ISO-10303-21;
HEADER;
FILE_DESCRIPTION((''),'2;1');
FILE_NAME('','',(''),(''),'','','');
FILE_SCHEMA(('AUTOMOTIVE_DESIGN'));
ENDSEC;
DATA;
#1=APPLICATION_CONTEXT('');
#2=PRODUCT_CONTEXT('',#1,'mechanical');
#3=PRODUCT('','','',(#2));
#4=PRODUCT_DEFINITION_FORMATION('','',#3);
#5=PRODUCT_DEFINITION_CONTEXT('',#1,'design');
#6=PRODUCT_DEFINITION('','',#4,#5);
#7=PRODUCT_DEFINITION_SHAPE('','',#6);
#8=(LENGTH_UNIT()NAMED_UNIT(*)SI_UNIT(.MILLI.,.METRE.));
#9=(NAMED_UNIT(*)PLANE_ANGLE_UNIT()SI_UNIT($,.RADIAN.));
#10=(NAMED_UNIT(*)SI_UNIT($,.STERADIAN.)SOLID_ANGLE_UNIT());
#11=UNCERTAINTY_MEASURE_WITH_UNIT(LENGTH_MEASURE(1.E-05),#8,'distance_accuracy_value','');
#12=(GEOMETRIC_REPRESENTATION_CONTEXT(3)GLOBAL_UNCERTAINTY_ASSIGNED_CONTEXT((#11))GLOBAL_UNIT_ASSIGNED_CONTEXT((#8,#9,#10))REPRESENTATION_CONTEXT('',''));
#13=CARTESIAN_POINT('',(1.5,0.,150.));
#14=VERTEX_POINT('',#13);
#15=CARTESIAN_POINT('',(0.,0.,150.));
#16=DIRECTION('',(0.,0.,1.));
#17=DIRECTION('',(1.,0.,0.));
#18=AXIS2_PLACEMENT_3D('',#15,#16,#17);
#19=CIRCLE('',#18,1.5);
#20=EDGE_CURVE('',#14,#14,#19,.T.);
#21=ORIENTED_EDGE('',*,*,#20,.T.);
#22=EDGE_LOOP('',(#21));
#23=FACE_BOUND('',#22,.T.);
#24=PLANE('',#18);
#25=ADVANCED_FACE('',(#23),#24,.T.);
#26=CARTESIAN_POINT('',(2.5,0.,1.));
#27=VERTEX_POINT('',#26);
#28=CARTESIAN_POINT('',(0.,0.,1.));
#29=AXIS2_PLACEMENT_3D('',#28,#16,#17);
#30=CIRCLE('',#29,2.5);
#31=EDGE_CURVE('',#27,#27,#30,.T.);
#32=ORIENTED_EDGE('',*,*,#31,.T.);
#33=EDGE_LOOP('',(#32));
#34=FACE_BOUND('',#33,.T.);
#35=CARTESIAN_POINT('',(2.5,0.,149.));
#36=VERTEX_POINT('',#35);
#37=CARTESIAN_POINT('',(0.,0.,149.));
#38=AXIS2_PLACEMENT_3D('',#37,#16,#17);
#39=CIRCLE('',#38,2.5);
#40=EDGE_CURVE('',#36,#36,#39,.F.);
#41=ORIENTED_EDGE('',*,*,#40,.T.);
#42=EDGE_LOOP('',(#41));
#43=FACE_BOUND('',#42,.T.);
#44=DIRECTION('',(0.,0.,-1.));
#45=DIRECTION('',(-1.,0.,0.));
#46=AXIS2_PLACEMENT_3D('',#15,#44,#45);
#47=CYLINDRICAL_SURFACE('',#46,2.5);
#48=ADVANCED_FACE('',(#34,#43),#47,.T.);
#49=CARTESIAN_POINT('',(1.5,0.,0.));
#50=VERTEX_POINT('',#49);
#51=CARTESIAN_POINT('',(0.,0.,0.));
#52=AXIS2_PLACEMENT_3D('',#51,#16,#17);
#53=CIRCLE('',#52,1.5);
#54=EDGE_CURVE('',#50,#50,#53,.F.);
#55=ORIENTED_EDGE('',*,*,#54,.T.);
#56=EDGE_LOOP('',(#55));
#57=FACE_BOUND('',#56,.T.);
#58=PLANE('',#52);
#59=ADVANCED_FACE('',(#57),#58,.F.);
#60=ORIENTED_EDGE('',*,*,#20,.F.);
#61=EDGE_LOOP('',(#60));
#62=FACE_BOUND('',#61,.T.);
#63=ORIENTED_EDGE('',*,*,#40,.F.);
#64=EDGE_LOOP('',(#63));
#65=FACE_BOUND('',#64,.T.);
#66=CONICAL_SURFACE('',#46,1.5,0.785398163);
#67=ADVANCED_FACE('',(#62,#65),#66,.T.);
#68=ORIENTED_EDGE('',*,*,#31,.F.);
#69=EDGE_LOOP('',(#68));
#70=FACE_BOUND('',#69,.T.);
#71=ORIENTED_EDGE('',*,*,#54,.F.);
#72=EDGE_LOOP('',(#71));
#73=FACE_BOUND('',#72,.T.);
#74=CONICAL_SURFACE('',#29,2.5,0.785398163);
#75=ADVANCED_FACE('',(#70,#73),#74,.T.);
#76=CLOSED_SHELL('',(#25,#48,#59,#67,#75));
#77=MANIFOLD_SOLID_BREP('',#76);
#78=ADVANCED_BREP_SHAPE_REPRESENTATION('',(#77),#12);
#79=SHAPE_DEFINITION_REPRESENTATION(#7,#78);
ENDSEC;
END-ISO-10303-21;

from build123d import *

# Parameters (mm, degrees)
SKETCH1_R           = 2.5
BOSS_EXTRUDE1_DEPTH = 150
CHAMFER1_SIZE       = 1


with BuildPart() as part:
    # Sketch1 → Boss-Extrude1 (new body)
    with BuildSketch(Plane.XY):
        Circle(SKETCH1_R)
    extrude(amount=BOSS_EXTRUDE1_DEPTH)

    # Chamfer1
    chamfer1_edges = [part.edges().sort_by_distance(p)[0] for p in [
        (-2.5, 0, 0),
        (-2.5, 0, 150),
    ]]
    chamfer(chamfer1_edges, length=CHAMFER1_SIZE)


solid = part.part
